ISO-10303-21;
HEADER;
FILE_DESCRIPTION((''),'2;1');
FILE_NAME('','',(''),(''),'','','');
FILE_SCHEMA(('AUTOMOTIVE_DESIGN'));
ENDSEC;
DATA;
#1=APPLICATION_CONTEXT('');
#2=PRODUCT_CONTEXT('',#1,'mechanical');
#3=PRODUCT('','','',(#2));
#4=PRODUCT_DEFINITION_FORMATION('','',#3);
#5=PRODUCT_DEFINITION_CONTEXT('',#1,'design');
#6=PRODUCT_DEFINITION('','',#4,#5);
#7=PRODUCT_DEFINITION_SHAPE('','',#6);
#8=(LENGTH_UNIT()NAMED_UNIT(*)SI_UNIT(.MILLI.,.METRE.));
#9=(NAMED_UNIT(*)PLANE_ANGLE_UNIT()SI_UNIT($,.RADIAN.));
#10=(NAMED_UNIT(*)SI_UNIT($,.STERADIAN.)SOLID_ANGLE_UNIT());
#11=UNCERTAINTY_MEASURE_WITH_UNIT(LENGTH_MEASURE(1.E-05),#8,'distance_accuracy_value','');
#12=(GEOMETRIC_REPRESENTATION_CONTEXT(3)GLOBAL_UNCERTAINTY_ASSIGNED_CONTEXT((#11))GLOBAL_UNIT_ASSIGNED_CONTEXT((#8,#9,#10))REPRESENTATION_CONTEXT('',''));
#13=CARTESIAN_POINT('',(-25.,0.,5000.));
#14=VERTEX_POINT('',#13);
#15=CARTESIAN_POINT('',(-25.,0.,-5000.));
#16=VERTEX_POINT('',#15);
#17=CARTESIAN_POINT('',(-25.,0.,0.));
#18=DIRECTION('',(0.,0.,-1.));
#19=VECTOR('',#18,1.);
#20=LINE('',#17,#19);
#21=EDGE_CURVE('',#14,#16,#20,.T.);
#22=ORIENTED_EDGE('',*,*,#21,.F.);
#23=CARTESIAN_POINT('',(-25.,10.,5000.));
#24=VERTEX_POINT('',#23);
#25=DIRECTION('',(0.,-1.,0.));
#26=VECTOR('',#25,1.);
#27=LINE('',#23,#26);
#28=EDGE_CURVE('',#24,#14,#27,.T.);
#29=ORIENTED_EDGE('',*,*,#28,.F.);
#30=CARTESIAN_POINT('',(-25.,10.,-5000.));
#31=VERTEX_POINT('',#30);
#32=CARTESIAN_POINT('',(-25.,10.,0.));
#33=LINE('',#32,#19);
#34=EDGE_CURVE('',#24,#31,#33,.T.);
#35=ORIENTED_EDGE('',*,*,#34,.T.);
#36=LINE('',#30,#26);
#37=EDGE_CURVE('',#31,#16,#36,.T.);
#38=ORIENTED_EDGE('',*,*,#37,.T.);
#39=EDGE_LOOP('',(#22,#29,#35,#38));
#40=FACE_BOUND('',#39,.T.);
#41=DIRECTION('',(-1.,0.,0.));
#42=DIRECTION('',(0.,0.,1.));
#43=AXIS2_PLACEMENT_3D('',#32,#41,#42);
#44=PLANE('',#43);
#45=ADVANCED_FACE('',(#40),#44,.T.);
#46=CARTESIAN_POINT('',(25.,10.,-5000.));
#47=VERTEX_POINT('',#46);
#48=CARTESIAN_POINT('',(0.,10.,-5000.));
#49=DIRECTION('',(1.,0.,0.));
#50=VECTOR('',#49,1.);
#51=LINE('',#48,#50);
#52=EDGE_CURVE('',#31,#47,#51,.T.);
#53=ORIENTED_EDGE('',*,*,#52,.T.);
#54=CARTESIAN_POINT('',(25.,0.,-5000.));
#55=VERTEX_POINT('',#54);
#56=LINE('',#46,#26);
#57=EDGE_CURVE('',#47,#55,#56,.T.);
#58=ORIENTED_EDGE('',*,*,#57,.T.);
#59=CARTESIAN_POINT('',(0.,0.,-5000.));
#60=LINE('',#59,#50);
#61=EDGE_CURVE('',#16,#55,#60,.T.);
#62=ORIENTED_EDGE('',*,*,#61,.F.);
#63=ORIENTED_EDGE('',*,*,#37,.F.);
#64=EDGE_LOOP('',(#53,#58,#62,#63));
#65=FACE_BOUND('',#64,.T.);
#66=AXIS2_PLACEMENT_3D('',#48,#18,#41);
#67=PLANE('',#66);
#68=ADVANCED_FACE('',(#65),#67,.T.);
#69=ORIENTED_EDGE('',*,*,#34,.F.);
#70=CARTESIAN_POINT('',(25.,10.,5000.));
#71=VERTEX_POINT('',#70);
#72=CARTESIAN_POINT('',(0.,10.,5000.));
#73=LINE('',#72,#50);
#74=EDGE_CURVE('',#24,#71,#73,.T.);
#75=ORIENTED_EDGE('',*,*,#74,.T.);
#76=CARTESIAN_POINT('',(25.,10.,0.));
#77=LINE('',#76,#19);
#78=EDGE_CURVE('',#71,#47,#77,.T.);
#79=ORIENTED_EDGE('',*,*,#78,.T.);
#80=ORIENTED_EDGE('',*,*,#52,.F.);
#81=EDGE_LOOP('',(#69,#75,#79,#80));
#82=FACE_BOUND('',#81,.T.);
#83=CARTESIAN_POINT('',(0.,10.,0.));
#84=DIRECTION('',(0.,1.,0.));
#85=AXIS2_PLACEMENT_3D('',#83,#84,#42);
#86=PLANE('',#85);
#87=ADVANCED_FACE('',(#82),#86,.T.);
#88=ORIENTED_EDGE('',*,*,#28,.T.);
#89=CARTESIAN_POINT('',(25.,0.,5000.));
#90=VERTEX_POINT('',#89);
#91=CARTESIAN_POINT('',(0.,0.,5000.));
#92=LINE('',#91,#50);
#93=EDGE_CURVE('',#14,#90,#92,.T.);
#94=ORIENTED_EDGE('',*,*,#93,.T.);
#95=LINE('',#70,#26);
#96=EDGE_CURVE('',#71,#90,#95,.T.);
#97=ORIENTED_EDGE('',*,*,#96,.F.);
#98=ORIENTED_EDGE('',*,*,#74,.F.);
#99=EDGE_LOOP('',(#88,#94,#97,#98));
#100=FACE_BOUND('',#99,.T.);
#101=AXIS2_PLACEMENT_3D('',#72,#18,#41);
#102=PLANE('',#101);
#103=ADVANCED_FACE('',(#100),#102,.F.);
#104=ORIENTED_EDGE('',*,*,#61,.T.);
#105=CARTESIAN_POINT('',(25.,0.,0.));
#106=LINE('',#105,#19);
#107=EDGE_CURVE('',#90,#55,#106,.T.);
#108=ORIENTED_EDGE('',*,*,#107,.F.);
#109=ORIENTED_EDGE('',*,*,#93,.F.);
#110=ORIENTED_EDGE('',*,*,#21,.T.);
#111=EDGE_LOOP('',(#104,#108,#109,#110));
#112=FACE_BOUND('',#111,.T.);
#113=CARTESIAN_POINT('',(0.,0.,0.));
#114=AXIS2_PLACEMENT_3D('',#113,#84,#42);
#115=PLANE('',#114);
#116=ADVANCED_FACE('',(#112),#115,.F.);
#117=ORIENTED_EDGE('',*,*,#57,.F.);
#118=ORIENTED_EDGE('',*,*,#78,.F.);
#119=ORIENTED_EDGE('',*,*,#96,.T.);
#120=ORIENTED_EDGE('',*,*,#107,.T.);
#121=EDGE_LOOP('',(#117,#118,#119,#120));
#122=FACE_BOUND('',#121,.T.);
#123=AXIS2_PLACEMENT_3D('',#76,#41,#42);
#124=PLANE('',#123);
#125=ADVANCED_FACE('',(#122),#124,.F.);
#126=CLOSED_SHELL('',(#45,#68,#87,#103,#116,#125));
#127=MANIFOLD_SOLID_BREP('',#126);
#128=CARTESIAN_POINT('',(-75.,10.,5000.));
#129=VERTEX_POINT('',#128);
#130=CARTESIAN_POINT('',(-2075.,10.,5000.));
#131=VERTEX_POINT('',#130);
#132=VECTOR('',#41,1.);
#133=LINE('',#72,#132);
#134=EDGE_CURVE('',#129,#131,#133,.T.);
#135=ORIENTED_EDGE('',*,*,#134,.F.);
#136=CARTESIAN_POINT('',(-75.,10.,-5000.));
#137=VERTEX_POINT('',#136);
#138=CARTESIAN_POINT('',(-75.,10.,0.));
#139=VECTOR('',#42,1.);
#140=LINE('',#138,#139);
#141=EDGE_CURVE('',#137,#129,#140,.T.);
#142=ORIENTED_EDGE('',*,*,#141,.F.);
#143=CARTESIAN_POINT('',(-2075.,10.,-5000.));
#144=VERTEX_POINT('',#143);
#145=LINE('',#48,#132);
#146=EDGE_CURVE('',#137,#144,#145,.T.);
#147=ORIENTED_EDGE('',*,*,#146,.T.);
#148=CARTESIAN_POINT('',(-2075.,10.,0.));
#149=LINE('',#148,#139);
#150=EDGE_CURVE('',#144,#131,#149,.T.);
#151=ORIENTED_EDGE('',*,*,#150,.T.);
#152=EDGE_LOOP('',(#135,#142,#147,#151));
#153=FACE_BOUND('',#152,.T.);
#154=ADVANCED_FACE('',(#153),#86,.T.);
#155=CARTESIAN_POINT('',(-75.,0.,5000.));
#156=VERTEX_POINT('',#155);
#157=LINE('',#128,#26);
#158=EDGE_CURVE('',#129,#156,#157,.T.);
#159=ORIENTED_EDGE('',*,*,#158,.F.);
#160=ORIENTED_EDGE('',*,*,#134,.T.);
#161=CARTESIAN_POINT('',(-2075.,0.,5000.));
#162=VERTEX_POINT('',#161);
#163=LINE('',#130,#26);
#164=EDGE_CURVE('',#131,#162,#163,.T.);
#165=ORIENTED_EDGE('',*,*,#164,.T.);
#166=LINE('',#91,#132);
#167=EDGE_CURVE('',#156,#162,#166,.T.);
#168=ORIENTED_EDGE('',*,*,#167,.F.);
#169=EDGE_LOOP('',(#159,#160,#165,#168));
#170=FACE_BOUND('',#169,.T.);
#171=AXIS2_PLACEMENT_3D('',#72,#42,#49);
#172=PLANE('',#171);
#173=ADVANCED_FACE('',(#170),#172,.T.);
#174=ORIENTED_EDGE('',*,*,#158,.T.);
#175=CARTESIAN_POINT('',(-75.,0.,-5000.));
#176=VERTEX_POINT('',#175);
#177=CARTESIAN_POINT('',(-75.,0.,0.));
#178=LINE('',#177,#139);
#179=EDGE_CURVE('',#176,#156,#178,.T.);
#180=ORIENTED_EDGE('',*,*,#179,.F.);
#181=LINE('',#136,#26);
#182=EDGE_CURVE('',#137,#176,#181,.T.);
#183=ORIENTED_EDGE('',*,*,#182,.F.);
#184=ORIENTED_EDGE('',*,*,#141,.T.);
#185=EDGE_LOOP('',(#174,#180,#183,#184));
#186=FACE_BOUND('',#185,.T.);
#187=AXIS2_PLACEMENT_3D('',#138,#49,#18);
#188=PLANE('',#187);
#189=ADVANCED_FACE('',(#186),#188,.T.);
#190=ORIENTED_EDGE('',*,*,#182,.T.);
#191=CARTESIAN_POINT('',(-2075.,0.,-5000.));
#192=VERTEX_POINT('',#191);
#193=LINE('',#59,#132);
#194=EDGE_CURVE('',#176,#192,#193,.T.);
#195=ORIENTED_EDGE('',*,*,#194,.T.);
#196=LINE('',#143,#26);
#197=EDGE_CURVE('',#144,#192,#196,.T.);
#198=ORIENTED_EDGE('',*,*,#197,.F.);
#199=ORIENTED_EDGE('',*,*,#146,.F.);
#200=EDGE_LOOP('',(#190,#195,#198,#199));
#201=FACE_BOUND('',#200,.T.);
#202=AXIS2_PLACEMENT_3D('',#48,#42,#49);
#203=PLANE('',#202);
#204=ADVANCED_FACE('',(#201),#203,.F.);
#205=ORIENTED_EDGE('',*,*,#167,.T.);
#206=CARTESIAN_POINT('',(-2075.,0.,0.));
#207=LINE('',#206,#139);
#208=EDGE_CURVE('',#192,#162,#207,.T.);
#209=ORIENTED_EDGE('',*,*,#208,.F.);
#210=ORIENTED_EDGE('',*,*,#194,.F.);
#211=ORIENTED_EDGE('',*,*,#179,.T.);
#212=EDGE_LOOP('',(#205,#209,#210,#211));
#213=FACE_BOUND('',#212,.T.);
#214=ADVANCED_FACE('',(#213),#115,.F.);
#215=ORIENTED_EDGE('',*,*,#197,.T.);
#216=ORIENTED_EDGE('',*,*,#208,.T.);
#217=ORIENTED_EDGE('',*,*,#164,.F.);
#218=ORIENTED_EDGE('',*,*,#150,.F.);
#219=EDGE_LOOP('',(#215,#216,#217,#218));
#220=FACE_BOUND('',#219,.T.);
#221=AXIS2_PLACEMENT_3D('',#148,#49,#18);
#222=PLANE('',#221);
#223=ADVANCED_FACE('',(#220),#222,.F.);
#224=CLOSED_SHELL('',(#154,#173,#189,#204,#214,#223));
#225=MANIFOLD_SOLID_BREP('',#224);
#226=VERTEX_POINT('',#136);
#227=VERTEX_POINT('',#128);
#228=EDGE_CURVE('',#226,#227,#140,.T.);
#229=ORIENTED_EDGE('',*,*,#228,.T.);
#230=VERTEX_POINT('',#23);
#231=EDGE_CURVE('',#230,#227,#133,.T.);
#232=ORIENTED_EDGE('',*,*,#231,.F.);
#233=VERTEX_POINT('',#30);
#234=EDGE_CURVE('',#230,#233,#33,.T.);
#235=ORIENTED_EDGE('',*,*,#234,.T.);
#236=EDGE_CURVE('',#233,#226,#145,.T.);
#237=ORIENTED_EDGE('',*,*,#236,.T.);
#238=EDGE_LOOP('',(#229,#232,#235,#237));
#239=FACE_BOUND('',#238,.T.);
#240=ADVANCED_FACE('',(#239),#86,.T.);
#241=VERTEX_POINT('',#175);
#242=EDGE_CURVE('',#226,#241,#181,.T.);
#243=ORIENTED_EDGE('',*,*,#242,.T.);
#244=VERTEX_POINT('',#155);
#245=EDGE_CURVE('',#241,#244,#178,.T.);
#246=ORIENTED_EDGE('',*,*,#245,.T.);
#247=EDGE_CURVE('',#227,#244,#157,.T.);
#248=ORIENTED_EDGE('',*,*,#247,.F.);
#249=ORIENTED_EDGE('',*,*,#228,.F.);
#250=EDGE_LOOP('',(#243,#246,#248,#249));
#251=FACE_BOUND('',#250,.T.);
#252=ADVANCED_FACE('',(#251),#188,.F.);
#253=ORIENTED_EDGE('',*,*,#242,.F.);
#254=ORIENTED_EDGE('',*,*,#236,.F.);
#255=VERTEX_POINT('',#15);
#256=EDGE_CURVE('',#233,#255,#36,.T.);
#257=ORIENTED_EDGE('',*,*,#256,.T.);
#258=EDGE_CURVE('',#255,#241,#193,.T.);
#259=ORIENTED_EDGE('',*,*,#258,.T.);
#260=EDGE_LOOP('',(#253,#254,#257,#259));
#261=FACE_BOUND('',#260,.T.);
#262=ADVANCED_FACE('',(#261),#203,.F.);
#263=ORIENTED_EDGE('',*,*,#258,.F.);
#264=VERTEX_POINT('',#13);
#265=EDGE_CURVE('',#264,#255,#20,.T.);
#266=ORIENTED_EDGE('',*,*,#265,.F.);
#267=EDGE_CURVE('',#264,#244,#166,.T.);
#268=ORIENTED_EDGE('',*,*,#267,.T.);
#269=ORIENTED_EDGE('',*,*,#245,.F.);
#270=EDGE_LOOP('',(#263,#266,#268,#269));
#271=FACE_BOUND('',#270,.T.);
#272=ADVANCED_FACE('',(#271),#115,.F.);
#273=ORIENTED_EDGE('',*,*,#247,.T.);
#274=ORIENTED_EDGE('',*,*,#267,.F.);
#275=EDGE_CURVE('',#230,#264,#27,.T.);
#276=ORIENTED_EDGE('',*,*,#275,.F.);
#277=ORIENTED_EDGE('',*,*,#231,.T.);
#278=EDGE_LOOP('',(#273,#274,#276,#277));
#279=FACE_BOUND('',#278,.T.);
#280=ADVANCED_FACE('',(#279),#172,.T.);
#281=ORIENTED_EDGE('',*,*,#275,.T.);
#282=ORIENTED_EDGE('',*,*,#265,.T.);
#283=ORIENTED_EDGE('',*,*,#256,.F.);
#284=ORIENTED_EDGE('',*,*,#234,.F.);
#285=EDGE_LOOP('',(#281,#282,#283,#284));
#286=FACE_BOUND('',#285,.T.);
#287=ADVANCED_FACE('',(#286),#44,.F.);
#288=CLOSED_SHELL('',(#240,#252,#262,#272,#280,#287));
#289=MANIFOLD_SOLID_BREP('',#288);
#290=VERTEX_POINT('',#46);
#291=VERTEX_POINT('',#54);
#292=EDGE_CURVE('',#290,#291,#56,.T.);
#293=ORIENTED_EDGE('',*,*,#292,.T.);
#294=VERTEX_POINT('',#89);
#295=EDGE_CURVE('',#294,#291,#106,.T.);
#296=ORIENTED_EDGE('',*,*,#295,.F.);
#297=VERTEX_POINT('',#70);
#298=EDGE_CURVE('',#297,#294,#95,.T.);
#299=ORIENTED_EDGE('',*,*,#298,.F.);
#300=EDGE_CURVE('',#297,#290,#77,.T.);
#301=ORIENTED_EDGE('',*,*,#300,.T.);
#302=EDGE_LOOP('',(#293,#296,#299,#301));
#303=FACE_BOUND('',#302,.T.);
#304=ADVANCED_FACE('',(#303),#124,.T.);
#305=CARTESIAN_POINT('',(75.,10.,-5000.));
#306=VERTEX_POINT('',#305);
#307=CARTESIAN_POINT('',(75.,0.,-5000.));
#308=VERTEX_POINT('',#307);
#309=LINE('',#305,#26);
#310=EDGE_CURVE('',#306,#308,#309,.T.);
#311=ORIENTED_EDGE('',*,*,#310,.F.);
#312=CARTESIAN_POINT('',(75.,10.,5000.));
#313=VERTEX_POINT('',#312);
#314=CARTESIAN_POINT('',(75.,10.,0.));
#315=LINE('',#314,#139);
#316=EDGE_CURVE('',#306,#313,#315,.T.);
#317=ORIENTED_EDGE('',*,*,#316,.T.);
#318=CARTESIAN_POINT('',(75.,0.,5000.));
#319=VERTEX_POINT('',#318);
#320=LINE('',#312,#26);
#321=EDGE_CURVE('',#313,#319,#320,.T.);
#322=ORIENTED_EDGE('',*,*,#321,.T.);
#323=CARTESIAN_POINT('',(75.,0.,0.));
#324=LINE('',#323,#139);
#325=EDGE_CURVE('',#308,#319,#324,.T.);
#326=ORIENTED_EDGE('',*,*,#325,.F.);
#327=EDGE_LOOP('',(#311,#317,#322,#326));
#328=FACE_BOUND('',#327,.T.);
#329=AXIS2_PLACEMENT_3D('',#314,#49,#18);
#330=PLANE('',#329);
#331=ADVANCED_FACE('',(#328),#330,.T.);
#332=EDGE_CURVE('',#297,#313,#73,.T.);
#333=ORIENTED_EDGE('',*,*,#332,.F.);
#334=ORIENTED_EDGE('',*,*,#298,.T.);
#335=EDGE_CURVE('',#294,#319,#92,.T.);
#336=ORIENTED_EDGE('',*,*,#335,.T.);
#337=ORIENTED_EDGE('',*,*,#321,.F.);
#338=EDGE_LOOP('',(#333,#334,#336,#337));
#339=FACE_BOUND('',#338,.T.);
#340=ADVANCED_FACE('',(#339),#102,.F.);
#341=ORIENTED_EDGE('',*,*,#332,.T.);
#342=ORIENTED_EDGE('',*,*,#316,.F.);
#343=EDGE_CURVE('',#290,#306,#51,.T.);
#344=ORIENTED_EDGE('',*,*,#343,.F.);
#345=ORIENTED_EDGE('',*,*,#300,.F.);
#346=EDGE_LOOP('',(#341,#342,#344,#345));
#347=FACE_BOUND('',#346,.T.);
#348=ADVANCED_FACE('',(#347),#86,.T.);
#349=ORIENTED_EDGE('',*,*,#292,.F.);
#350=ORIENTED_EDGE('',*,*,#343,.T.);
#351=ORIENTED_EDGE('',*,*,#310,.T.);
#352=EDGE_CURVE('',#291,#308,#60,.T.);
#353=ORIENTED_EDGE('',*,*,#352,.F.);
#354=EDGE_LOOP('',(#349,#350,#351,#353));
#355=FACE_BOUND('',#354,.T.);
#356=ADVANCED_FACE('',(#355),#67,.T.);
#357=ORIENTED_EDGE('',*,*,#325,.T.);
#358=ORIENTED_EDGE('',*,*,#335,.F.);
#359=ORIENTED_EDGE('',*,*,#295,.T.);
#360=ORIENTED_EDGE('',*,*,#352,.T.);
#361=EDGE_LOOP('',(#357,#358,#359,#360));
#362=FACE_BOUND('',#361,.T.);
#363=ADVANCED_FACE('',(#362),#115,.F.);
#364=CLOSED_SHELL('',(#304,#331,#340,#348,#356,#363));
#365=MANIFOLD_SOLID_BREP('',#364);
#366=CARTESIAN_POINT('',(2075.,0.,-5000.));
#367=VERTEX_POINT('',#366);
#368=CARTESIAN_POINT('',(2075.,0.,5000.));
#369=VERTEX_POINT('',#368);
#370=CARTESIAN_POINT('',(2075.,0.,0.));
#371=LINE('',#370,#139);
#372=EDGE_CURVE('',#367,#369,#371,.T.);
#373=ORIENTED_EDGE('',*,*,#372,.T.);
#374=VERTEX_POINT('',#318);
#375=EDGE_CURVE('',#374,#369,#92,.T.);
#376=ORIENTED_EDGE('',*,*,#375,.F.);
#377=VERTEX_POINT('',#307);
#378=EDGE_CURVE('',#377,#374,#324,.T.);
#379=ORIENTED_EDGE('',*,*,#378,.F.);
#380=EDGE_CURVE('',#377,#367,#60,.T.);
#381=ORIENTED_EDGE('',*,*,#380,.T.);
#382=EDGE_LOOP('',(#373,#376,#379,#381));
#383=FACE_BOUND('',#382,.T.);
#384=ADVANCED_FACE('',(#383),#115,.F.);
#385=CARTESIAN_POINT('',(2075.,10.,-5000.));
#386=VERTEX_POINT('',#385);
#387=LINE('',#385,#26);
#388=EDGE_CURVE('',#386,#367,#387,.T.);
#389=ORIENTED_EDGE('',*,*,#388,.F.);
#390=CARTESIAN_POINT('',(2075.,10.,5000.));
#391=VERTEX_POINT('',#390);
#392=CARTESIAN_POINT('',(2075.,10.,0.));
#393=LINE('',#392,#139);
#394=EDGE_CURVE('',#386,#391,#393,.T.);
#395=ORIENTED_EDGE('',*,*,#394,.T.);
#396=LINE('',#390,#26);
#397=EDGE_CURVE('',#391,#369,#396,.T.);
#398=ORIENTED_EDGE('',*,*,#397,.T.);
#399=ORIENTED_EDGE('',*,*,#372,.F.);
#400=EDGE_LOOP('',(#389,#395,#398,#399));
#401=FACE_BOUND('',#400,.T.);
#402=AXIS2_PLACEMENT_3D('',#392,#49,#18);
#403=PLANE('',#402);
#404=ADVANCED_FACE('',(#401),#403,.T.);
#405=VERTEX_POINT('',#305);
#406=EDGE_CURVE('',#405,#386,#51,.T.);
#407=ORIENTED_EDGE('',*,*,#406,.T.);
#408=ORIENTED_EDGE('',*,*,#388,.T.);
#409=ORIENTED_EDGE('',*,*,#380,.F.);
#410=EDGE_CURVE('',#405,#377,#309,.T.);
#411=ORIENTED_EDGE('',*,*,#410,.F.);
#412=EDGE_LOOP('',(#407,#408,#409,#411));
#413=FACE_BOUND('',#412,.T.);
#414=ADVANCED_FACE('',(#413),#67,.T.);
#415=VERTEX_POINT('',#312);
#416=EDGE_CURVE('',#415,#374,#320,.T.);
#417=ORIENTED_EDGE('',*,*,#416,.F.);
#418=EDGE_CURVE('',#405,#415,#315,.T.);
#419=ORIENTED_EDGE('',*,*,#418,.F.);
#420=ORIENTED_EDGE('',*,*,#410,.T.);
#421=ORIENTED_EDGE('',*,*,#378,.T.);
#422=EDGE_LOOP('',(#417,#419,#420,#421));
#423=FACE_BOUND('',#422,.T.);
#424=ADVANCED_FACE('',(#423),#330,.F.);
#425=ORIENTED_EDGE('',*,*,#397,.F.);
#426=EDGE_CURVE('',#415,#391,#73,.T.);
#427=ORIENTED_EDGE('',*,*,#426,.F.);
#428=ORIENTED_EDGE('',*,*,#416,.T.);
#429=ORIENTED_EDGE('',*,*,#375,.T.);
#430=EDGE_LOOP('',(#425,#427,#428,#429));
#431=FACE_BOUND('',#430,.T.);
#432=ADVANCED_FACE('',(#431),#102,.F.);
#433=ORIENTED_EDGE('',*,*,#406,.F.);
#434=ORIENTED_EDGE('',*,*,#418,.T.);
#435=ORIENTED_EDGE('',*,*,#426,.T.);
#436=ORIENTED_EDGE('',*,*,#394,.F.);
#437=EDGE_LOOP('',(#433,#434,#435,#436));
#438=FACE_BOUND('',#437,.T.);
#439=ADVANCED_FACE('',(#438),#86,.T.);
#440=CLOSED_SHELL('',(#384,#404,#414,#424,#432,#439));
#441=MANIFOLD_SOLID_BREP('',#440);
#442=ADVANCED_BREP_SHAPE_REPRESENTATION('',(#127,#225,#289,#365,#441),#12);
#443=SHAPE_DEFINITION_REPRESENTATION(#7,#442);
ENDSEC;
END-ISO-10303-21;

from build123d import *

# Parameters (mm, degrees)
ESQUISSE1_W          = 50
ESQUISSE1_H          = 10000
BOSS_EXTRU_2_DEPTH   = 10
ESQUISSE1_4_W        = 50
ESQUISSE1_4_H        = 10000
BOSS_EXTRU_3_DEPTH   = 10
BOSS_EXTRU_3_2_DEPTH = 10
ESQUISSE1_5_W        = 2000
ESQUISSE1_5_H        = 10000
BOSS_EXTRU_4_DEPTH   = 10
BOSS_EXTRU_4_2_DEPTH = 10


with BuildPart() as part:
    # Esquisse1 → Boss.-Extru.2 (new body)
    with BuildSketch(Plane(origin=(0, 0, 0), x_dir=(1, 0, 0), z_dir=(0, 1, 0))):
        Rectangle(ESQUISSE1_W, ESQUISSE1_H)
    extrude(amount=BOSS_EXTRU_2_DEPTH)


with BuildPart() as body_2:
    # Esquisse1<4> → Boss.-Extru.3 (new body)
    with BuildSketch(Plane(origin=(0, 0, 0), x_dir=(1, 0, 0), z_dir=(0, 1, 0))):
        with Locations((-50, 0)):
            Rectangle(ESQUISSE1_4_W, ESQUISSE1_4_H)
    extrude(amount=BOSS_EXTRU_3_DEPTH)


with BuildPart() as body_3:
    # Esquisse1<4> → Boss.-Extru.3 2 (new body)
    with BuildSketch(Plane(origin=(0, 0, 0), x_dir=(1, 0, 0), z_dir=(0, 1, 0))):
        with Locations((50, 0)):
            Rectangle(ESQUISSE1_4_W, ESQUISSE1_4_H)
    extrude(amount=BOSS_EXTRU_3_2_DEPTH)


with BuildPart() as body_4:
    # Esquisse1<5> → Boss.-Extru.4 (new body)
    with BuildSketch(Plane(origin=(0, 0, 0), x_dir=(1, 0, 0), z_dir=(0, 1, 0))):
        with Locations((-1075, 0)):
            Rectangle(ESQUISSE1_5_W, ESQUISSE1_5_H)
    extrude(amount=BOSS_EXTRU_4_DEPTH)


with BuildPart() as body_5:
    # Esquisse1<5> → Boss.-Extru.4 2 (new body)
    with BuildSketch(Plane(origin=(0, 0, 0), x_dir=(1, 0, 0), z_dir=(0, 1, 0))):
        with Locations((1075, 0)):
            Rectangle(ESQUISSE1_5_W, ESQUISSE1_5_H)
    extrude(amount=BOSS_EXTRU_4_2_DEPTH)


solid = Compound([part.part, body_2.part, body_3.part, body_4.part, body_5.part])
